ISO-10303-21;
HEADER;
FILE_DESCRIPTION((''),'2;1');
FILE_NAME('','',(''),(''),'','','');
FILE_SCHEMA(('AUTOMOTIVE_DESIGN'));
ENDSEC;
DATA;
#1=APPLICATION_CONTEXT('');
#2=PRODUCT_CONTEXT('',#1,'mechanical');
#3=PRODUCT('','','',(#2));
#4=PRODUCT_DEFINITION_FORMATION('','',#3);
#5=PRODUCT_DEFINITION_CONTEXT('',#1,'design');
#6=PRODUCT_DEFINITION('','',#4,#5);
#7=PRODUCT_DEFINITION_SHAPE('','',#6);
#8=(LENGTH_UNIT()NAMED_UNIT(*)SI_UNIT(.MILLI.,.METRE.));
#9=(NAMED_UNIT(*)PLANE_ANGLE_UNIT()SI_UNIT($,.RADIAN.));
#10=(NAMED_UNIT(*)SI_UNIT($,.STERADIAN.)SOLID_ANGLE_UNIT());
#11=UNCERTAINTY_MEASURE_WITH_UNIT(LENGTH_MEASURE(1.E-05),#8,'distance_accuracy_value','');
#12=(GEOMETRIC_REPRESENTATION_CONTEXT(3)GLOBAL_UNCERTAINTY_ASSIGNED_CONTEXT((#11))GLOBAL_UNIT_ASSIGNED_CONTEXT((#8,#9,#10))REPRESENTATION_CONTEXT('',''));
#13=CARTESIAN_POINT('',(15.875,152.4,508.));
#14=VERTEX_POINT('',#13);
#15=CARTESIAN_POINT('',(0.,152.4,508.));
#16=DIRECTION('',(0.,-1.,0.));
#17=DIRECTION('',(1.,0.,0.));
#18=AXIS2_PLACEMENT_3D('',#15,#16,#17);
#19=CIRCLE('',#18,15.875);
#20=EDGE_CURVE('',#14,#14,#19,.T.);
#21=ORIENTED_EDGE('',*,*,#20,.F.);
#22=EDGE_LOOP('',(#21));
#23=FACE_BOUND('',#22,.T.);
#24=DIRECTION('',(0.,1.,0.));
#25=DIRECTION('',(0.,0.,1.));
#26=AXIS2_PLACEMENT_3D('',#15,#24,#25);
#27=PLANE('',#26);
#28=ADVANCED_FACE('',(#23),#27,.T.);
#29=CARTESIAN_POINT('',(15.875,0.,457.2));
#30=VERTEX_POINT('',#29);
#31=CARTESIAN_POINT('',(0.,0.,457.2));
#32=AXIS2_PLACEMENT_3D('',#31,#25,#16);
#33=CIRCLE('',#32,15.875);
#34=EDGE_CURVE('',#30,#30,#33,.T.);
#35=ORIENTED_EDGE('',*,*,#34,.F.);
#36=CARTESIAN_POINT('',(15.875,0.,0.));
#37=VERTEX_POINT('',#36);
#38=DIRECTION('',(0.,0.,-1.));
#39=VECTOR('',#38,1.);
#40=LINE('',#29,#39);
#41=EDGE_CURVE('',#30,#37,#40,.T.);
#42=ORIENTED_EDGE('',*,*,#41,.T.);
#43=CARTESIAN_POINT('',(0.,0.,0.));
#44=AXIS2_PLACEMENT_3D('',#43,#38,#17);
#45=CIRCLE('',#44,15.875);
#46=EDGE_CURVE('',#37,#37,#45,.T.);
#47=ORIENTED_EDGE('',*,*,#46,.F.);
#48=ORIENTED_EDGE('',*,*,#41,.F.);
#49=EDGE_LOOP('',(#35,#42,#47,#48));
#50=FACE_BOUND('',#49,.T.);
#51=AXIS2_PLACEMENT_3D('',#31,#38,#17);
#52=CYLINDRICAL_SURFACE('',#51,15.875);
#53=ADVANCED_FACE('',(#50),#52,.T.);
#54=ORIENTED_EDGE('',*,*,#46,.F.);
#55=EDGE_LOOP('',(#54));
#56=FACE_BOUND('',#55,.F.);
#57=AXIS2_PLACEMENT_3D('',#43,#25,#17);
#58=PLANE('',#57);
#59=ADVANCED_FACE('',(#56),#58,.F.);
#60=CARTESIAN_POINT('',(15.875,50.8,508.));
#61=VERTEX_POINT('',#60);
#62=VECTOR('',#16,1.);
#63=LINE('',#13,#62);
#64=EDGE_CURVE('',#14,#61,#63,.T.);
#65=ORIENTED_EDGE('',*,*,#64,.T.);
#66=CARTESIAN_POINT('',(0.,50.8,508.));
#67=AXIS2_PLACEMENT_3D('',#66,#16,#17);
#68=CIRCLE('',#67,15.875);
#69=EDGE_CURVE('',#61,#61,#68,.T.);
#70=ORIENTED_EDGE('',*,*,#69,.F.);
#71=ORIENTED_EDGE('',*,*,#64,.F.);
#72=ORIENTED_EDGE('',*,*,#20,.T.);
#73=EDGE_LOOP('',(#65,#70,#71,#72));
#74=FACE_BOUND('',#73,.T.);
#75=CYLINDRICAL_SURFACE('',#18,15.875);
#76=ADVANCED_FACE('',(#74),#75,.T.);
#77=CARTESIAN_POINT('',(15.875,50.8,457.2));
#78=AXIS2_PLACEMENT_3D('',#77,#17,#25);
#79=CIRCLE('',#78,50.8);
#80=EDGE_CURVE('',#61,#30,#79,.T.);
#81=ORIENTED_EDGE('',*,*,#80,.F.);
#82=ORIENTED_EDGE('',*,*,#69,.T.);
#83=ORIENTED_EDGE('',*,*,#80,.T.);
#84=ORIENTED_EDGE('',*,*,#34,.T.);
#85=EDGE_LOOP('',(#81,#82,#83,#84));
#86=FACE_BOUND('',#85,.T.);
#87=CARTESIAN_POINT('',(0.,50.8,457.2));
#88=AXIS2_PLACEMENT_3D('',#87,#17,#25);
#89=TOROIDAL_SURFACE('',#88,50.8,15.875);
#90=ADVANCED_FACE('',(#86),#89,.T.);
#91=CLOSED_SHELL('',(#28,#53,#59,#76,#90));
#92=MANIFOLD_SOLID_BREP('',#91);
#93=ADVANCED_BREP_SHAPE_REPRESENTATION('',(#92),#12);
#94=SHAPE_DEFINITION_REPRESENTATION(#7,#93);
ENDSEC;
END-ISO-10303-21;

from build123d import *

# Parameters (mm, degrees)
F1_R = 15.875


with BuildPart() as f2:
    # F2: sweep along a path in F0
    with BuildLine(Plane.YZ) as f2_path:
        Line((152.4, 508), (50.8, 508))
        ThreePointArc((50.8, 508), (14.8789755157, 493.1210244843), (0, 457.2))
        Line((0, 457.2), (0, 0))
    # F1 (on Top) → F2 (sweep)
    with BuildSketch(Plane.XY):
        Circle(F1_R)
    sweep(path=f2_path.line)


solid = f2.part
